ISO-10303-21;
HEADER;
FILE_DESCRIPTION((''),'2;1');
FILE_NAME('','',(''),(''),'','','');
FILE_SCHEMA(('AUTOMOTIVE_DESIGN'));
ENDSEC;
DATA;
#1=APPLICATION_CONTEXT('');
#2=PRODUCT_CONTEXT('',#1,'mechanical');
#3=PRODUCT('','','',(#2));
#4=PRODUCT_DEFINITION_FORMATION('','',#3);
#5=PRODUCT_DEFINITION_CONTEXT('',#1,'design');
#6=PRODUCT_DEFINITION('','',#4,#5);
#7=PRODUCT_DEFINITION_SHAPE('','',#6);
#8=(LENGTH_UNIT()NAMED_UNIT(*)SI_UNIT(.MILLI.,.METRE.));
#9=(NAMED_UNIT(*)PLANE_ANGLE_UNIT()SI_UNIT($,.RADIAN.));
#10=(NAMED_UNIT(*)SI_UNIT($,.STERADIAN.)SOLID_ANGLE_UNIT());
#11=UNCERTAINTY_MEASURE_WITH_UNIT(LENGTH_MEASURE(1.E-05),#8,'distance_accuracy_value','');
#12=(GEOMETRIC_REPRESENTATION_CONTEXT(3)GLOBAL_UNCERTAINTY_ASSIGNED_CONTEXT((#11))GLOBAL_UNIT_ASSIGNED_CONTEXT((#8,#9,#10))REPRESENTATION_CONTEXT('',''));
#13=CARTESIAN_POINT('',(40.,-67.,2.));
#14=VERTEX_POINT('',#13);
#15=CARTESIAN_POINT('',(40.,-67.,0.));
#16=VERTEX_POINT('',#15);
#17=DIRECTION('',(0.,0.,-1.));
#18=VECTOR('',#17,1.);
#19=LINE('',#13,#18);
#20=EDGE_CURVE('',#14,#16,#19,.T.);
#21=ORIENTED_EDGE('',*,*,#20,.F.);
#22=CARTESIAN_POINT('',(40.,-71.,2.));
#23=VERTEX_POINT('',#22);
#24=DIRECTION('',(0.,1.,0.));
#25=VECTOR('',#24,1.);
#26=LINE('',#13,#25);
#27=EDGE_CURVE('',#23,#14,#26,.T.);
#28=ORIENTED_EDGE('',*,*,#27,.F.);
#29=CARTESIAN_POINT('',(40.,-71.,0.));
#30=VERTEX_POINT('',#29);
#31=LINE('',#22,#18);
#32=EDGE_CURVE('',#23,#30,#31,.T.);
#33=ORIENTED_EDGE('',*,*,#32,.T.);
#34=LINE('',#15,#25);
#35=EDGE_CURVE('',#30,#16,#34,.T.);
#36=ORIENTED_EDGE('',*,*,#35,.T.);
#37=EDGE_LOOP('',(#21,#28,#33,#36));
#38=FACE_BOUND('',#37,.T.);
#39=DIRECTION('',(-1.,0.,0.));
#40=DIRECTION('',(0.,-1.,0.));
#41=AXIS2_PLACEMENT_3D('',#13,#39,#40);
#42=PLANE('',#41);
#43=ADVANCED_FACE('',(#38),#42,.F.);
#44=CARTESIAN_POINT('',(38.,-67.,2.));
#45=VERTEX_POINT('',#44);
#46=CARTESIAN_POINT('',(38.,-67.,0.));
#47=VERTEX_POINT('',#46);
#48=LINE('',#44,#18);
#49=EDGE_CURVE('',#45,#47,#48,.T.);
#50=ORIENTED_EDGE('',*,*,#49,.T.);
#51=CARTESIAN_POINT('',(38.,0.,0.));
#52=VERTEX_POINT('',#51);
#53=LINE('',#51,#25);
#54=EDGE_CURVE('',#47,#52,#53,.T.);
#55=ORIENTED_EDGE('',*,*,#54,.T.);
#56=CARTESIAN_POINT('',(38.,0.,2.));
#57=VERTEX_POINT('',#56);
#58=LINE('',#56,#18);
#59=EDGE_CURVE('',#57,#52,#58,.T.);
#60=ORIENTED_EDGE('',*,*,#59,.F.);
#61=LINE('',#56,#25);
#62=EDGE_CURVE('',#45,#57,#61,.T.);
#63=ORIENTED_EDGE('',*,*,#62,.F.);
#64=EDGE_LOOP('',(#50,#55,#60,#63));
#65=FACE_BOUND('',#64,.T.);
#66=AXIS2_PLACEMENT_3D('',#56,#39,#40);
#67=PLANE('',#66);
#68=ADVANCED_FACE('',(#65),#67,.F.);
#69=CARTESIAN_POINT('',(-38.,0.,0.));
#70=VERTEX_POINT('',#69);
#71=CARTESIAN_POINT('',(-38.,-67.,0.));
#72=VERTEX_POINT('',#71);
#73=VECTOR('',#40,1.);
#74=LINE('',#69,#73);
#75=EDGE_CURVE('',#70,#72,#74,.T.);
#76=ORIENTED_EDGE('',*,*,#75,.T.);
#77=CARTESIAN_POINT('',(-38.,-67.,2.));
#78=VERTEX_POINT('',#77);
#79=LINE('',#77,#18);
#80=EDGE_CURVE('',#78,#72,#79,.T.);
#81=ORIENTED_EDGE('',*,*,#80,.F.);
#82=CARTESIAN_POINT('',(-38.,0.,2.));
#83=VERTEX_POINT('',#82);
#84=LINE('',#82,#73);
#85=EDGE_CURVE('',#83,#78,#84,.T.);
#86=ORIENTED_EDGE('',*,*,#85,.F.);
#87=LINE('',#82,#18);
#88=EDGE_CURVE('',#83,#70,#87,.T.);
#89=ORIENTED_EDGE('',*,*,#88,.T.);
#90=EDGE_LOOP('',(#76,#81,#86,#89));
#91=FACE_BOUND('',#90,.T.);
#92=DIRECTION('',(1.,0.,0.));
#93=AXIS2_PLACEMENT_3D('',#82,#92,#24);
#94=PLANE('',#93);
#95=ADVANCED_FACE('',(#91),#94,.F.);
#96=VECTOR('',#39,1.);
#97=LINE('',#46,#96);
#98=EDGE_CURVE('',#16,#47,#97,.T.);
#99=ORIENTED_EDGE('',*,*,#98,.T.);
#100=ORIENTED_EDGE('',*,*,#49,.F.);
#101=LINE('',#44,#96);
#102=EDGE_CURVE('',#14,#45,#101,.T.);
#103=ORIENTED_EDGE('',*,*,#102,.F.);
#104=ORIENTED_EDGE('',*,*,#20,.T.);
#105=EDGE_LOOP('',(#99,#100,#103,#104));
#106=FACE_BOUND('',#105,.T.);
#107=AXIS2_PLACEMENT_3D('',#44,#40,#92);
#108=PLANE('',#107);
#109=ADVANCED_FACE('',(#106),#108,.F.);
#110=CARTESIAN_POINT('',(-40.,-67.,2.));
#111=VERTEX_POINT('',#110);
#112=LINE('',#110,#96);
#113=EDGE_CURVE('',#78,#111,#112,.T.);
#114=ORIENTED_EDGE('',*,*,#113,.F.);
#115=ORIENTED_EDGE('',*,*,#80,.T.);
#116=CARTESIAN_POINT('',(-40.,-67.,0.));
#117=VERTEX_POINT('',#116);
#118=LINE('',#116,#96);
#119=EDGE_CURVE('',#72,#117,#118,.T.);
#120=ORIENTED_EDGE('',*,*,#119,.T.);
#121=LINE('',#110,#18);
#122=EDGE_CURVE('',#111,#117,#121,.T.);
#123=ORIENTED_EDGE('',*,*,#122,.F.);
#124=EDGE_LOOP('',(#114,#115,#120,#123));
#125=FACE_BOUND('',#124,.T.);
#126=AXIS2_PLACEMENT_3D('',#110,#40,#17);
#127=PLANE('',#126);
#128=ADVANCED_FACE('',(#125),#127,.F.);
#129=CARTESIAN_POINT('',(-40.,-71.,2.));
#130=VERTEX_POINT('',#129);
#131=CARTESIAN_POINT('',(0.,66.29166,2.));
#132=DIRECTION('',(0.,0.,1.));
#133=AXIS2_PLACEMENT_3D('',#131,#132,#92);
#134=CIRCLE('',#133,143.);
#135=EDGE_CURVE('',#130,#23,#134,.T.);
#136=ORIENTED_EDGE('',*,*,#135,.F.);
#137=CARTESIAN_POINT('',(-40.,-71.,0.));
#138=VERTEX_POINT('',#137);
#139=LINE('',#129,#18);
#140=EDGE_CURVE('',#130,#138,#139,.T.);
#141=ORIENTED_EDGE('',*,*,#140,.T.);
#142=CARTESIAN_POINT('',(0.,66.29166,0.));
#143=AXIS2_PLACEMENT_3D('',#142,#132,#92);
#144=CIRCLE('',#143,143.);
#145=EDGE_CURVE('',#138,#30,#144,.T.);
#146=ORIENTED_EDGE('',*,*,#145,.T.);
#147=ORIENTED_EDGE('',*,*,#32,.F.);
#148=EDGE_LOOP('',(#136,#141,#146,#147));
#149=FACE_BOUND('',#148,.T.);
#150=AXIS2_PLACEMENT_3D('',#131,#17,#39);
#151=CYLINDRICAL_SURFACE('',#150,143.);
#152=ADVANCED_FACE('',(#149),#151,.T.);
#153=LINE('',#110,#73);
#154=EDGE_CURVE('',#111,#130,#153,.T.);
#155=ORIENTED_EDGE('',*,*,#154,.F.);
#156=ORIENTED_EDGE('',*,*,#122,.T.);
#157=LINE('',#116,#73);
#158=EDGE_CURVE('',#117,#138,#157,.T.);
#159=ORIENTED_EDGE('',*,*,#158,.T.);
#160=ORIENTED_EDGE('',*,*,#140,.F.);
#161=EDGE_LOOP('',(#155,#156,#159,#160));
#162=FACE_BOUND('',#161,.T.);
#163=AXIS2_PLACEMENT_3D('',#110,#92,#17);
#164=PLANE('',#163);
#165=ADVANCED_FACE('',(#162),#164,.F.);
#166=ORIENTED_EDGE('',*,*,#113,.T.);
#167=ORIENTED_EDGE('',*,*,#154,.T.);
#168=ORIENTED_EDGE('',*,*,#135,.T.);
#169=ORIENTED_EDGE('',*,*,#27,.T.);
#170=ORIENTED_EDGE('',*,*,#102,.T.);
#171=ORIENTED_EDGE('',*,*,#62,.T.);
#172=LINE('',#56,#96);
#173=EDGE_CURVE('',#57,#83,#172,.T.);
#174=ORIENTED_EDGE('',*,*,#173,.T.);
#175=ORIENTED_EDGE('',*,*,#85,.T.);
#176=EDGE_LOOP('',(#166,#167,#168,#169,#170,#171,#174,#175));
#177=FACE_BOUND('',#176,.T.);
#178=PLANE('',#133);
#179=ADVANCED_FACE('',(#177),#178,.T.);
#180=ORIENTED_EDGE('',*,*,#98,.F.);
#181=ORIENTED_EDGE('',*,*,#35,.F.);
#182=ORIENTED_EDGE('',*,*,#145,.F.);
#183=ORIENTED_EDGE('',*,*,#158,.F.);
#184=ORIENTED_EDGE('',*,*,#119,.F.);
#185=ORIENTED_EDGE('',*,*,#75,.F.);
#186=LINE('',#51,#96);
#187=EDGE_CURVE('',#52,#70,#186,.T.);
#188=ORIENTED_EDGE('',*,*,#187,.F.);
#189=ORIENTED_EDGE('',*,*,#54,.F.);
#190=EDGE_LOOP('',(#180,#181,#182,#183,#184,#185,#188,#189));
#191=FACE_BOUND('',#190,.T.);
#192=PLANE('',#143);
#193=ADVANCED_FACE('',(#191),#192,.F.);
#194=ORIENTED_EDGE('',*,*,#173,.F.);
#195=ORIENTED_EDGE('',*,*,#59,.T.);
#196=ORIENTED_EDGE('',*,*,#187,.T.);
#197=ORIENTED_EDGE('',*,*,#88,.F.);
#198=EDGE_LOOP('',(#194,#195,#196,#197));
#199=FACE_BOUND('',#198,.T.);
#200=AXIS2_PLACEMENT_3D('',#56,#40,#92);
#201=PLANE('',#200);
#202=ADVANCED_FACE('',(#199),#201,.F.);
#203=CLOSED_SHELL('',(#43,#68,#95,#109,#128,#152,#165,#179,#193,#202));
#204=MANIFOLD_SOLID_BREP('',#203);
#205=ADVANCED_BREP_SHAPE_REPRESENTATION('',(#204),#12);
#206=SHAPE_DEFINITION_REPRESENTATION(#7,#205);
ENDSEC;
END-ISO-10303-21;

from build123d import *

# Parameters (mm, degrees)
BOSS_EXTRUDE1_DEPTH = 2


with BuildPart() as part:
    # Sketch2 → Boss-Extrude1 (new body)
    with BuildSketch(Plane.XY):
        with BuildLine():
            Line((38, 0), (-38, 0))
            Line((-38, 0), (-38, -67))
            Line((-38, -67), (-40, -67))
            Line((-40, -67), (-40, -71))
            ThreePointArc((-40, -71), (0, -76.708339656), (40, -71))
            Line((40, -71), (40, -67))
            Line((40, -67), (38, -67))
            Line((38, -67), (38, 0))
        make_face()
    extrude(amount=BOSS_EXTRUDE1_DEPTH)


solid = part.part
